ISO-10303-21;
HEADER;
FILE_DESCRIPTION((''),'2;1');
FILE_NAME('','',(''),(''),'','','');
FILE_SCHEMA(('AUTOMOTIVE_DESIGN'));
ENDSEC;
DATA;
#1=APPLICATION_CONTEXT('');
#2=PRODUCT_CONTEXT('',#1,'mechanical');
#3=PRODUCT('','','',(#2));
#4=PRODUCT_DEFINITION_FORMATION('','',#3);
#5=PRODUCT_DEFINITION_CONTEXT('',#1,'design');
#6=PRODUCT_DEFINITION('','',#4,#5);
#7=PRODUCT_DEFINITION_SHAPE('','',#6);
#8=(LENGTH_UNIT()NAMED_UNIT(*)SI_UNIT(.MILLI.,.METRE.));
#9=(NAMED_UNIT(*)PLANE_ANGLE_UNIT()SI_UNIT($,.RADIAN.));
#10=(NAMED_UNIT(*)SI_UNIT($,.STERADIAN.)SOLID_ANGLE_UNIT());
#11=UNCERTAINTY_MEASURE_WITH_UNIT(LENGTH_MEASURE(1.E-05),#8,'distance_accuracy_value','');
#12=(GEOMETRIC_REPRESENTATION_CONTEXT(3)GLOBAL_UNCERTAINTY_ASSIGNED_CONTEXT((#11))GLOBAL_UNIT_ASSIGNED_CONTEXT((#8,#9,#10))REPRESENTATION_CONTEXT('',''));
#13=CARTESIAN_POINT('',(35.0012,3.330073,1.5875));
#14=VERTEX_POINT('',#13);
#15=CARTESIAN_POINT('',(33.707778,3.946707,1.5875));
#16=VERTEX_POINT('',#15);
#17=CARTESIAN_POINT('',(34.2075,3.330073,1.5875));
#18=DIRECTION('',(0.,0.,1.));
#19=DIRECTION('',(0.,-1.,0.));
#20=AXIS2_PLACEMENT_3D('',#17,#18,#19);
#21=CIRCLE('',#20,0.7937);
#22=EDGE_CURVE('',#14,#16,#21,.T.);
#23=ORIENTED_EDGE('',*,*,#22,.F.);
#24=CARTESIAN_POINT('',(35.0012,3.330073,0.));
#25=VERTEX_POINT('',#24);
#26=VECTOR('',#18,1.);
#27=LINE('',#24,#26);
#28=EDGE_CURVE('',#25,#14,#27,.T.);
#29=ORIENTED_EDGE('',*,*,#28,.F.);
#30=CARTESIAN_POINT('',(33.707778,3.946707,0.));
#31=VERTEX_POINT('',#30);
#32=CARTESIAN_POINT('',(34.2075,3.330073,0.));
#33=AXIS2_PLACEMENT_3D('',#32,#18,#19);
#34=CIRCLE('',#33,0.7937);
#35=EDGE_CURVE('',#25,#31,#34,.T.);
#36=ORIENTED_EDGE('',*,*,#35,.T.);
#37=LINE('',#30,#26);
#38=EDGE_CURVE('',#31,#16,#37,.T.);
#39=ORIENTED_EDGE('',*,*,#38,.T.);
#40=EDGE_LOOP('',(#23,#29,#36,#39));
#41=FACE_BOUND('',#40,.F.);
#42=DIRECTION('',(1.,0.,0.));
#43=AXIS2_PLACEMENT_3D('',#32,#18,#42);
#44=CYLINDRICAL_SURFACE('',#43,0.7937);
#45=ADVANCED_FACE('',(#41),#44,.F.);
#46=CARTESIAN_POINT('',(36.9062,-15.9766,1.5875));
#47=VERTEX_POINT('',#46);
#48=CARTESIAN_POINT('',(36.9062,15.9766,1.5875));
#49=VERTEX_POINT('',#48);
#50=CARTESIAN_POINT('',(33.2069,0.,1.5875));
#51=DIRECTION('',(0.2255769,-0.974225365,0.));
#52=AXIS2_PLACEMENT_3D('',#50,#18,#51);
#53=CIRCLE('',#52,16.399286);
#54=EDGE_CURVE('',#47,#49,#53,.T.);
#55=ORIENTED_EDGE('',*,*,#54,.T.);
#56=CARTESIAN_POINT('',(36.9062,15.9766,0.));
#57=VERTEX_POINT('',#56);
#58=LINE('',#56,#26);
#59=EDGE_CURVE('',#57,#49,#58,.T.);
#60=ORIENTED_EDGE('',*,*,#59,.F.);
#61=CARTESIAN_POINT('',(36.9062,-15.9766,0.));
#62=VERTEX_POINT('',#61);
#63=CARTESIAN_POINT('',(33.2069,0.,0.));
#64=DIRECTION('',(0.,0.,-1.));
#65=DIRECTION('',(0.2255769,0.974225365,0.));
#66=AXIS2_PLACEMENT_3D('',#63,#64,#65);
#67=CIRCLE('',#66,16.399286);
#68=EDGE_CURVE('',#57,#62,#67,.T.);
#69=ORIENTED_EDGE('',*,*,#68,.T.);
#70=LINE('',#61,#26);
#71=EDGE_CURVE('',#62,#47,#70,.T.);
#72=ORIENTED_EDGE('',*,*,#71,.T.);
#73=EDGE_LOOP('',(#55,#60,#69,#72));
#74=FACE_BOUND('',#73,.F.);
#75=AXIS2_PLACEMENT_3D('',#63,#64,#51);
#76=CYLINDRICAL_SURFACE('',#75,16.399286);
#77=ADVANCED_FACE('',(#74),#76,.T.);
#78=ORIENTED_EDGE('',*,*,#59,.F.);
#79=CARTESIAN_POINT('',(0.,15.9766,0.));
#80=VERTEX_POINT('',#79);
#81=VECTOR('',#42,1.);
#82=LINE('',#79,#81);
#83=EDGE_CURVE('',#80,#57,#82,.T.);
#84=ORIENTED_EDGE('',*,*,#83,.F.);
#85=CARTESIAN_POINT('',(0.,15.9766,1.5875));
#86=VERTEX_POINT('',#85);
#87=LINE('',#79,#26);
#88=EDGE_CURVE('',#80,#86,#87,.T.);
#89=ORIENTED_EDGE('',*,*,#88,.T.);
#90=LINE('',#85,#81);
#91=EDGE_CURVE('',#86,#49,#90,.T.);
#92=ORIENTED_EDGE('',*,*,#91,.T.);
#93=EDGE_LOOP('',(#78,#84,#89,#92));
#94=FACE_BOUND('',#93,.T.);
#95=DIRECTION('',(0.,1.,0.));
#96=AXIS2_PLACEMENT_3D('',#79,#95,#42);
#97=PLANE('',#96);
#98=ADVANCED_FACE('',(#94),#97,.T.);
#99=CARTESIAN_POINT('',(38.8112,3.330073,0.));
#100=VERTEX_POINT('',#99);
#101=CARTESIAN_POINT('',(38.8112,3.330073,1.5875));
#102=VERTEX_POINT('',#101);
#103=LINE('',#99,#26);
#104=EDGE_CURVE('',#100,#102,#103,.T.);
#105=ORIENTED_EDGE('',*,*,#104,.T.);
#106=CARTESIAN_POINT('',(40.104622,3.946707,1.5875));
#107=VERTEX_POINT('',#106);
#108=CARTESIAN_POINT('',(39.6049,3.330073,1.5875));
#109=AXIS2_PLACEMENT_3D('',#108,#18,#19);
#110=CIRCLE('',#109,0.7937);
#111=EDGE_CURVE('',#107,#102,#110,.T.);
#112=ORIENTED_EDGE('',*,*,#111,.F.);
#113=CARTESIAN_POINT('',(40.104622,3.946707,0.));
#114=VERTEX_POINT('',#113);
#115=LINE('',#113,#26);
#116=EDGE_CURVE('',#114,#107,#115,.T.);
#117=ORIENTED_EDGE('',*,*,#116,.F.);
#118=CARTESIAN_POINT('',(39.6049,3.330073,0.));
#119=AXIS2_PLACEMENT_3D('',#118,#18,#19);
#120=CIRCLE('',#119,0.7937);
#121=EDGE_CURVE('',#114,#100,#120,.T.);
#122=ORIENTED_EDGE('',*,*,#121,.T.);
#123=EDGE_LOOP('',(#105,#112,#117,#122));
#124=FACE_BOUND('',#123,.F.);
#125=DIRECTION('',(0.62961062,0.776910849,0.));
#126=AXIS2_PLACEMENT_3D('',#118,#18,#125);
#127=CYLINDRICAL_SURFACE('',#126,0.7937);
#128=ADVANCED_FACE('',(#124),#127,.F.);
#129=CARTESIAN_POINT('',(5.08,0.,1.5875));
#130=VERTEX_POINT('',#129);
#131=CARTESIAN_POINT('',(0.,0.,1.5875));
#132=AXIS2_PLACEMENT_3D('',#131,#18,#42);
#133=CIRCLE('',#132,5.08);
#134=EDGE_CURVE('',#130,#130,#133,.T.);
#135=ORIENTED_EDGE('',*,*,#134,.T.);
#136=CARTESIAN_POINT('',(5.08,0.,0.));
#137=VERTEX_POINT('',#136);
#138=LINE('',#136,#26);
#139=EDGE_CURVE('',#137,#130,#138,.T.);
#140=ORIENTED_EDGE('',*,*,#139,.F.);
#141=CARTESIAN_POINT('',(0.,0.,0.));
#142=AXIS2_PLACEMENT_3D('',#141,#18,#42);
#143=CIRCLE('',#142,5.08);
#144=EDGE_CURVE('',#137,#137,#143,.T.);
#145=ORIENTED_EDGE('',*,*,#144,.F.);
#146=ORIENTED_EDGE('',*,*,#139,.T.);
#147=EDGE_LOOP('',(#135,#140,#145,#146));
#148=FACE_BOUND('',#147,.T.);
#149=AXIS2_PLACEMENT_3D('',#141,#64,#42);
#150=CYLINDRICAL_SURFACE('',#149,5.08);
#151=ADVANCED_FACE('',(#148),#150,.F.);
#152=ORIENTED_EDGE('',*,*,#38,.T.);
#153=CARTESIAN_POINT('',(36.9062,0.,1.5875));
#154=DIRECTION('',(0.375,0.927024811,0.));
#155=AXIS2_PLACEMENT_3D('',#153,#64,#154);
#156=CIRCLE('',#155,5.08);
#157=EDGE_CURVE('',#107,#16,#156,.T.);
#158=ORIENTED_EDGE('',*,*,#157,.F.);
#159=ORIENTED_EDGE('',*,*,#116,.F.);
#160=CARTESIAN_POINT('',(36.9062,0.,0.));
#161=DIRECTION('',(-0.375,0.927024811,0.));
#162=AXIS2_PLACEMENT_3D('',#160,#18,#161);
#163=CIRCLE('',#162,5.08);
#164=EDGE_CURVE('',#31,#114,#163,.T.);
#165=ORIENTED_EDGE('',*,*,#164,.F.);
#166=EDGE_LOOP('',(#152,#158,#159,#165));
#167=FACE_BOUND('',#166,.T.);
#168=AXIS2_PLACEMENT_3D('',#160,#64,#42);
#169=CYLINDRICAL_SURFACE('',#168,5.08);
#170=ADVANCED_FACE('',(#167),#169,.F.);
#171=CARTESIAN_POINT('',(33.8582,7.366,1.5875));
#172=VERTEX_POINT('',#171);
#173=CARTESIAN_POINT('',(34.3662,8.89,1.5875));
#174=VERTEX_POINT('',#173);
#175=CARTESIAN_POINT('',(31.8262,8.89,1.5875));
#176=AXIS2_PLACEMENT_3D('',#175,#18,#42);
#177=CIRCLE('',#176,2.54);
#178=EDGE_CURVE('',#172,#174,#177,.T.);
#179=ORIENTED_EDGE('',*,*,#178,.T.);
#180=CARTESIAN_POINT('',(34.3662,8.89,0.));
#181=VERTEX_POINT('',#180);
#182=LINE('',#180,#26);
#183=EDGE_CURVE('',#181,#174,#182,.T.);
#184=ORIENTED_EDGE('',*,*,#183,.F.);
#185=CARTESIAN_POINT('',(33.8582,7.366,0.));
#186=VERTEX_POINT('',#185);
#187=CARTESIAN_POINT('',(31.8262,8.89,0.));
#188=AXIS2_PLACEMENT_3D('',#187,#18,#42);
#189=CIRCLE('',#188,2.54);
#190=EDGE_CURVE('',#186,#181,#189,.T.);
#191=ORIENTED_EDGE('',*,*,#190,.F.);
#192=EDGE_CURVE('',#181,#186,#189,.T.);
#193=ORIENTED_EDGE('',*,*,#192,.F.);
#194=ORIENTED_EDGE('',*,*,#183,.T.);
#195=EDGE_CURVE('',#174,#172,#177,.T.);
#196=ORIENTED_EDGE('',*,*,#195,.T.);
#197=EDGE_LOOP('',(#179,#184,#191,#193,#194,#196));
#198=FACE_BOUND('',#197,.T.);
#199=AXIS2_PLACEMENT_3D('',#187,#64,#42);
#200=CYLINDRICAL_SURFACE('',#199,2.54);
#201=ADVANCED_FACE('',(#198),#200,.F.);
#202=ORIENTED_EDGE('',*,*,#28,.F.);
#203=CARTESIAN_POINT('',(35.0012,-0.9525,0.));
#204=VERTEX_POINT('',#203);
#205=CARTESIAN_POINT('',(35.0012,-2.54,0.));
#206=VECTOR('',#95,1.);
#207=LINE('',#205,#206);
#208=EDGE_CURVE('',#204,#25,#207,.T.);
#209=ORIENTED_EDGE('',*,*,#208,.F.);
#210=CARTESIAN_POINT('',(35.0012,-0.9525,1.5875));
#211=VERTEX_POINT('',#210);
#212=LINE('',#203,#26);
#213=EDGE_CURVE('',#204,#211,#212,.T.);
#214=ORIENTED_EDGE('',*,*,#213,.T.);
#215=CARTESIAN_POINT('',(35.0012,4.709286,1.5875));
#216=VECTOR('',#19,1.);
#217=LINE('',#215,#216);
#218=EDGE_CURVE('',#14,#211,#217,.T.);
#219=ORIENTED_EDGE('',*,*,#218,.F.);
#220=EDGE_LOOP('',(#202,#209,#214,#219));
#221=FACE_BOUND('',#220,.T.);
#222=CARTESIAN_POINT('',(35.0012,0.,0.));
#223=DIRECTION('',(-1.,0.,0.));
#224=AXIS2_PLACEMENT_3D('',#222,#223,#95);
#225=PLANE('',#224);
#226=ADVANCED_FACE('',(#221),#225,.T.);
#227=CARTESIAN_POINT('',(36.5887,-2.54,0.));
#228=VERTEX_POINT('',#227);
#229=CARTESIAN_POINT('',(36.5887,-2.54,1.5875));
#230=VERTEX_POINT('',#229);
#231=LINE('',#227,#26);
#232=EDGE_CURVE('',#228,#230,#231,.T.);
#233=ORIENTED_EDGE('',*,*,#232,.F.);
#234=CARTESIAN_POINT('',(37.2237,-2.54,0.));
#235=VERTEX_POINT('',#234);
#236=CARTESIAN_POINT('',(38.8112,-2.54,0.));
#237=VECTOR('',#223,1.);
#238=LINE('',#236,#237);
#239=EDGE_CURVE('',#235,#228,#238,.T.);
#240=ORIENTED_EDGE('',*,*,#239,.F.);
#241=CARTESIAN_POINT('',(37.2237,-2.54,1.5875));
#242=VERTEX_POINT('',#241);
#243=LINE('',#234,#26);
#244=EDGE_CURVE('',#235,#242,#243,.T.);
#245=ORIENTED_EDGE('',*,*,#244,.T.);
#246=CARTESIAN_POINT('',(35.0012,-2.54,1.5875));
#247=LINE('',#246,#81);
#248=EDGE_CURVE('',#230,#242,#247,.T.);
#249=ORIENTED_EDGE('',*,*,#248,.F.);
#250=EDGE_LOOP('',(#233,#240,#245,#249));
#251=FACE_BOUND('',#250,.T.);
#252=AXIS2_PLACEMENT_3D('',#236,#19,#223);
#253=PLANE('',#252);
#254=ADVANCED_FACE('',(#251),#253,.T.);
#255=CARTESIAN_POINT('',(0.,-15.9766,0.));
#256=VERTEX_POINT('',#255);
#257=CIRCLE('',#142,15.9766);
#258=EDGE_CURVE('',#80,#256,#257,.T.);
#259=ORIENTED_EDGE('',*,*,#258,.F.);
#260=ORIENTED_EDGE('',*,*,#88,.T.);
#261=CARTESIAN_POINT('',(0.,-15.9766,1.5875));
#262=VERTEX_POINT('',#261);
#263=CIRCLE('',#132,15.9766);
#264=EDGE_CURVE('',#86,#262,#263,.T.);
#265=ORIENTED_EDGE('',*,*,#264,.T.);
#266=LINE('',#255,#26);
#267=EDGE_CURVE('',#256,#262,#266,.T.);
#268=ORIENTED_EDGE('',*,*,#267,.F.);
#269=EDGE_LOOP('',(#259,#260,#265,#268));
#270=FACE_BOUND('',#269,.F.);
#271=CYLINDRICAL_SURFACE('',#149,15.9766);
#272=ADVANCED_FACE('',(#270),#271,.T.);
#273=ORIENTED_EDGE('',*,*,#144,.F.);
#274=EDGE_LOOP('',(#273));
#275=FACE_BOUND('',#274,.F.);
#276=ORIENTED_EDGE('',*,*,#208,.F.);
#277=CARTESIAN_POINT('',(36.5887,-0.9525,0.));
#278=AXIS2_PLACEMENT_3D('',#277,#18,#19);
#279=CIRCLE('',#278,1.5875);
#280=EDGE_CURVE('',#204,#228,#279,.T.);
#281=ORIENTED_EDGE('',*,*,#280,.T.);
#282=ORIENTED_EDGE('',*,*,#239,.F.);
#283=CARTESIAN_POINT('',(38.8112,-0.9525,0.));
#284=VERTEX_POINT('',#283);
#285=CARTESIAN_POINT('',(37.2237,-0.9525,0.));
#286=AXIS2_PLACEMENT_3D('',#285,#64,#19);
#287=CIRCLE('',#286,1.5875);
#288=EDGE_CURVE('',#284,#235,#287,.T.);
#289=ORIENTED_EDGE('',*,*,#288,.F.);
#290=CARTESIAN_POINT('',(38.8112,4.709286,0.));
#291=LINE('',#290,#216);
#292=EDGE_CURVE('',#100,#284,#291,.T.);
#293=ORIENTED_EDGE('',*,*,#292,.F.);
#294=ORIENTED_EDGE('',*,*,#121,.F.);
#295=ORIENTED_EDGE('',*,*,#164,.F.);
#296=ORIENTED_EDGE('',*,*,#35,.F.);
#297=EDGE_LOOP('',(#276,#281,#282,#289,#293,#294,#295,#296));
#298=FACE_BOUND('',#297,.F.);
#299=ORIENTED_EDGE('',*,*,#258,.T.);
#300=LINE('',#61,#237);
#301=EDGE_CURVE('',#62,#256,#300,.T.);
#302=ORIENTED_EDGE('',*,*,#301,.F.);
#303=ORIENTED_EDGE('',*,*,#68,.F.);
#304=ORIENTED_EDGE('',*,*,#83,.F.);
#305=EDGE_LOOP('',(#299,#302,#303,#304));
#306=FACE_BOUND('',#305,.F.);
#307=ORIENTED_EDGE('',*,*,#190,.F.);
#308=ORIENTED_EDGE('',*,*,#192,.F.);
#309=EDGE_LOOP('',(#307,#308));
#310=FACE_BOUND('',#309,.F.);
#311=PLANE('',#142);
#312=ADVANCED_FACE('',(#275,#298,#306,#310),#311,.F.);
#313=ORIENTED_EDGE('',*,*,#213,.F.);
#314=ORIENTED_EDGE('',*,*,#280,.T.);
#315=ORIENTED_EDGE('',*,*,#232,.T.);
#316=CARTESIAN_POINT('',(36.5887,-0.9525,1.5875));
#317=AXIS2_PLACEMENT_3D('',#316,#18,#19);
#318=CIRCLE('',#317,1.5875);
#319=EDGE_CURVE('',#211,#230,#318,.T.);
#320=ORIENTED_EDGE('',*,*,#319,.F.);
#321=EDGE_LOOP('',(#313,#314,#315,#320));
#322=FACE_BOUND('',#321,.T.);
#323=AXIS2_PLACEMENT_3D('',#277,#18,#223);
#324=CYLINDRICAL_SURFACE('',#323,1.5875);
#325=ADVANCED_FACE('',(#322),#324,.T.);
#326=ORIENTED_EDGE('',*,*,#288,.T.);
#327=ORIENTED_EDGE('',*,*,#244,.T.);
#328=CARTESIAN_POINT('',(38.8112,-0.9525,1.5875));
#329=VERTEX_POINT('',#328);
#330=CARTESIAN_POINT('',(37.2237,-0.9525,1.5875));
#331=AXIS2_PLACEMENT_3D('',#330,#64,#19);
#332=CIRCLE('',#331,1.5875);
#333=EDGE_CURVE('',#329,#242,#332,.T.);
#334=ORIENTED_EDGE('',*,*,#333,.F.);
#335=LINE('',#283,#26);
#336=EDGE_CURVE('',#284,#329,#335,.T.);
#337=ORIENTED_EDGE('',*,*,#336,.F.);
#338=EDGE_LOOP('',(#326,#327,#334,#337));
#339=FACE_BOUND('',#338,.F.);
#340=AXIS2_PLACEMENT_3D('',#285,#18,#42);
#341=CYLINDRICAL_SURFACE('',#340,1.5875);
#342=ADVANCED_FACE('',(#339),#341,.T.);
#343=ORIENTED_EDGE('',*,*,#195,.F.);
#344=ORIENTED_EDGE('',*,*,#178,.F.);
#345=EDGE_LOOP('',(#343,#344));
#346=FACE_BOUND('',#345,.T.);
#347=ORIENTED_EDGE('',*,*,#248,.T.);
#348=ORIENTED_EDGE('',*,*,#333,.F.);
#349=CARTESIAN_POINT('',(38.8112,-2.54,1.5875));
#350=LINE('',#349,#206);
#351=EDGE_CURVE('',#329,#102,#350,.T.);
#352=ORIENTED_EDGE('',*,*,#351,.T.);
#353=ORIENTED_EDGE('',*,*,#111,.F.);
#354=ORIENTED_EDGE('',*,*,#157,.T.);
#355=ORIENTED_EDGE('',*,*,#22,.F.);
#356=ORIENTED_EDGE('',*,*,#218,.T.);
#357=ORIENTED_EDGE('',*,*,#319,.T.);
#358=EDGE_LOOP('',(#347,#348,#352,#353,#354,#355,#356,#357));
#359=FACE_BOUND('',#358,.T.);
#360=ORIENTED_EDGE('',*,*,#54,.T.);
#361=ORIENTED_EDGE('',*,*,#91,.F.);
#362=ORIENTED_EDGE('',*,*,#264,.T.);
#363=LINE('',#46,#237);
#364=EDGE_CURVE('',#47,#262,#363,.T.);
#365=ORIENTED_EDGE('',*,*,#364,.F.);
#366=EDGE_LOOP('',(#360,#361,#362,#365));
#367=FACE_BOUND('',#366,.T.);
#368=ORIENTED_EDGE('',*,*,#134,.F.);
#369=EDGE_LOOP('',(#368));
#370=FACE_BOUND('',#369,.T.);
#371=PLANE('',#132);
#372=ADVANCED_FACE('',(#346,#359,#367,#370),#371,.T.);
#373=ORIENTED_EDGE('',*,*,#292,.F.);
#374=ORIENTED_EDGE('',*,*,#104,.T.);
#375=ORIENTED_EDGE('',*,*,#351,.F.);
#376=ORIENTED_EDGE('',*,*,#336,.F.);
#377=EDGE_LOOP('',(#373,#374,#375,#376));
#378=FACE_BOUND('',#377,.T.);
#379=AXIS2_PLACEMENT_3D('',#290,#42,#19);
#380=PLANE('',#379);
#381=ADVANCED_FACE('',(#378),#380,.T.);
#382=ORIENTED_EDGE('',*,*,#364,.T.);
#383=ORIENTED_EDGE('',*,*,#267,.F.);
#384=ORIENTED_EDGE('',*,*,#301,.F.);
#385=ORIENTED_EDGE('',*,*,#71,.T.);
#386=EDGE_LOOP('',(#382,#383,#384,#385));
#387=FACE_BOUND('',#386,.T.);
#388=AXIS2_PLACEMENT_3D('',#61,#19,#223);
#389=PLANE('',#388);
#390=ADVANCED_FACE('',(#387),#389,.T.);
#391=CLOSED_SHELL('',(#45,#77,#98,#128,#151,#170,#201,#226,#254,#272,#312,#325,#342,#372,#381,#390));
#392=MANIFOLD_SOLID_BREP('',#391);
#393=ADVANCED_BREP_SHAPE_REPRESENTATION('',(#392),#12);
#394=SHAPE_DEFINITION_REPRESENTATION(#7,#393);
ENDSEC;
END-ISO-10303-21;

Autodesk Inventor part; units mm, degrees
ref_plane "YZ Plane" through (0, 0, 0) normal (1, 0, 0) x (0, 1, 0)
ref_plane "XZ Plane" through (0, 0, 0) normal (0, 1, 0) x (-1, 0, 0)
ref_plane "XY Plane" through (0, 0, 0) normal (0, 0, 1) x (1, 0, 0)
sketch "Sketch1" plane through (0, 0, 0) normal (0, 0, 1) x (1, 0, 0)
  circle A0 centre (0, 0) radius 15.9766
  line L0 (0, 0) -> (36.9062, 0)
  circle A1 centre (36.9062, 0) radius 15.9766
  line L1 (36.9062, 0) -> (49.6062, 0)
  line L2 (36.9062, 0) -> (36.9062, 15.9766)
  line L3 (36.9062, 0) -> (36.9062, -15.9766)
  arc A2 (36.9062, -15.9766) -> (36.9062, 15.9766) centre (33.2069, 0) ccw
  circle A3 centre (36.9062, 0) radius 5.08
  circle A4 centre (0, 0) radius 5.08
  line L4 (0, 15.9766) -> (36.9062, 15.9766)
  line L5 (36.9062, -15.9766) -> (0, -15.9766)
  line L6 (31.8262, 0) -> (31.8262, 5.08)
  line L7 (31.8262, 5.08) -> (35.0012, 5.08)
  line L8 (35.0012, 5.08) -> (38.8112, 5.08)
  line L9 (38.8112, 5.08) -> (38.8112, -2.54)
  line L10 (38.8112, -2.54) -> (35.0012, -2.54)
  line L11 (35.0012, -2.54) -> (35.0012, 5.08)
  line L12 (36.9062, 5.08) -> (31.8262, 8.89)
  circle A5 centre (31.8262, 8.89) radius 2.54
  point P0 (35.0012, 4.7093)
  point P1 (38.8112, 4.7093)
  dimension "d3" = 10.16
  dimension "d0" = 31.9532
  dimension "d1" = 36.9062
  dimension "d2" = 12.7
  dimension "d4" = 10.16
  dimension "d5" = 3.175
  dimension "d6" = 3.81
  dimension "d7" = 7.62
  dimension "d12" = 6.35
  dimension "d13" = 5.08
extrude "Extrusion1" add sketch "Sketch1" along normal blind 1.5875 contours A0 | L0 A1 L5 A0 | A0 L4 A1 L0 | A1 L2 L8 L7 L6 L0 | L0 A3 L3 A1 | A2 L1 A3 L9 L8 L2 | L3 A3 L1 A2 | L6 L7 L11 A3 | A3 L9 L1 L2 | L8 L9 A3 | L2 L0 L11 A3 | A3 L11 L8 | L0 L3 L10 L11 | L1 L9 L10 L3
fillet "Fillet1" radius 1.5875 2 edges at (38.8112, -2.54, 0.7937) (35.0012, -2.54, 0.7937)
fillet "Fillet2" radius 0.7937 2 edges at (35.0012, 4.7093, 0.7937) (38.8112, 4.7093, 0.7937)
properties part number "new_winch_pto_poly"
